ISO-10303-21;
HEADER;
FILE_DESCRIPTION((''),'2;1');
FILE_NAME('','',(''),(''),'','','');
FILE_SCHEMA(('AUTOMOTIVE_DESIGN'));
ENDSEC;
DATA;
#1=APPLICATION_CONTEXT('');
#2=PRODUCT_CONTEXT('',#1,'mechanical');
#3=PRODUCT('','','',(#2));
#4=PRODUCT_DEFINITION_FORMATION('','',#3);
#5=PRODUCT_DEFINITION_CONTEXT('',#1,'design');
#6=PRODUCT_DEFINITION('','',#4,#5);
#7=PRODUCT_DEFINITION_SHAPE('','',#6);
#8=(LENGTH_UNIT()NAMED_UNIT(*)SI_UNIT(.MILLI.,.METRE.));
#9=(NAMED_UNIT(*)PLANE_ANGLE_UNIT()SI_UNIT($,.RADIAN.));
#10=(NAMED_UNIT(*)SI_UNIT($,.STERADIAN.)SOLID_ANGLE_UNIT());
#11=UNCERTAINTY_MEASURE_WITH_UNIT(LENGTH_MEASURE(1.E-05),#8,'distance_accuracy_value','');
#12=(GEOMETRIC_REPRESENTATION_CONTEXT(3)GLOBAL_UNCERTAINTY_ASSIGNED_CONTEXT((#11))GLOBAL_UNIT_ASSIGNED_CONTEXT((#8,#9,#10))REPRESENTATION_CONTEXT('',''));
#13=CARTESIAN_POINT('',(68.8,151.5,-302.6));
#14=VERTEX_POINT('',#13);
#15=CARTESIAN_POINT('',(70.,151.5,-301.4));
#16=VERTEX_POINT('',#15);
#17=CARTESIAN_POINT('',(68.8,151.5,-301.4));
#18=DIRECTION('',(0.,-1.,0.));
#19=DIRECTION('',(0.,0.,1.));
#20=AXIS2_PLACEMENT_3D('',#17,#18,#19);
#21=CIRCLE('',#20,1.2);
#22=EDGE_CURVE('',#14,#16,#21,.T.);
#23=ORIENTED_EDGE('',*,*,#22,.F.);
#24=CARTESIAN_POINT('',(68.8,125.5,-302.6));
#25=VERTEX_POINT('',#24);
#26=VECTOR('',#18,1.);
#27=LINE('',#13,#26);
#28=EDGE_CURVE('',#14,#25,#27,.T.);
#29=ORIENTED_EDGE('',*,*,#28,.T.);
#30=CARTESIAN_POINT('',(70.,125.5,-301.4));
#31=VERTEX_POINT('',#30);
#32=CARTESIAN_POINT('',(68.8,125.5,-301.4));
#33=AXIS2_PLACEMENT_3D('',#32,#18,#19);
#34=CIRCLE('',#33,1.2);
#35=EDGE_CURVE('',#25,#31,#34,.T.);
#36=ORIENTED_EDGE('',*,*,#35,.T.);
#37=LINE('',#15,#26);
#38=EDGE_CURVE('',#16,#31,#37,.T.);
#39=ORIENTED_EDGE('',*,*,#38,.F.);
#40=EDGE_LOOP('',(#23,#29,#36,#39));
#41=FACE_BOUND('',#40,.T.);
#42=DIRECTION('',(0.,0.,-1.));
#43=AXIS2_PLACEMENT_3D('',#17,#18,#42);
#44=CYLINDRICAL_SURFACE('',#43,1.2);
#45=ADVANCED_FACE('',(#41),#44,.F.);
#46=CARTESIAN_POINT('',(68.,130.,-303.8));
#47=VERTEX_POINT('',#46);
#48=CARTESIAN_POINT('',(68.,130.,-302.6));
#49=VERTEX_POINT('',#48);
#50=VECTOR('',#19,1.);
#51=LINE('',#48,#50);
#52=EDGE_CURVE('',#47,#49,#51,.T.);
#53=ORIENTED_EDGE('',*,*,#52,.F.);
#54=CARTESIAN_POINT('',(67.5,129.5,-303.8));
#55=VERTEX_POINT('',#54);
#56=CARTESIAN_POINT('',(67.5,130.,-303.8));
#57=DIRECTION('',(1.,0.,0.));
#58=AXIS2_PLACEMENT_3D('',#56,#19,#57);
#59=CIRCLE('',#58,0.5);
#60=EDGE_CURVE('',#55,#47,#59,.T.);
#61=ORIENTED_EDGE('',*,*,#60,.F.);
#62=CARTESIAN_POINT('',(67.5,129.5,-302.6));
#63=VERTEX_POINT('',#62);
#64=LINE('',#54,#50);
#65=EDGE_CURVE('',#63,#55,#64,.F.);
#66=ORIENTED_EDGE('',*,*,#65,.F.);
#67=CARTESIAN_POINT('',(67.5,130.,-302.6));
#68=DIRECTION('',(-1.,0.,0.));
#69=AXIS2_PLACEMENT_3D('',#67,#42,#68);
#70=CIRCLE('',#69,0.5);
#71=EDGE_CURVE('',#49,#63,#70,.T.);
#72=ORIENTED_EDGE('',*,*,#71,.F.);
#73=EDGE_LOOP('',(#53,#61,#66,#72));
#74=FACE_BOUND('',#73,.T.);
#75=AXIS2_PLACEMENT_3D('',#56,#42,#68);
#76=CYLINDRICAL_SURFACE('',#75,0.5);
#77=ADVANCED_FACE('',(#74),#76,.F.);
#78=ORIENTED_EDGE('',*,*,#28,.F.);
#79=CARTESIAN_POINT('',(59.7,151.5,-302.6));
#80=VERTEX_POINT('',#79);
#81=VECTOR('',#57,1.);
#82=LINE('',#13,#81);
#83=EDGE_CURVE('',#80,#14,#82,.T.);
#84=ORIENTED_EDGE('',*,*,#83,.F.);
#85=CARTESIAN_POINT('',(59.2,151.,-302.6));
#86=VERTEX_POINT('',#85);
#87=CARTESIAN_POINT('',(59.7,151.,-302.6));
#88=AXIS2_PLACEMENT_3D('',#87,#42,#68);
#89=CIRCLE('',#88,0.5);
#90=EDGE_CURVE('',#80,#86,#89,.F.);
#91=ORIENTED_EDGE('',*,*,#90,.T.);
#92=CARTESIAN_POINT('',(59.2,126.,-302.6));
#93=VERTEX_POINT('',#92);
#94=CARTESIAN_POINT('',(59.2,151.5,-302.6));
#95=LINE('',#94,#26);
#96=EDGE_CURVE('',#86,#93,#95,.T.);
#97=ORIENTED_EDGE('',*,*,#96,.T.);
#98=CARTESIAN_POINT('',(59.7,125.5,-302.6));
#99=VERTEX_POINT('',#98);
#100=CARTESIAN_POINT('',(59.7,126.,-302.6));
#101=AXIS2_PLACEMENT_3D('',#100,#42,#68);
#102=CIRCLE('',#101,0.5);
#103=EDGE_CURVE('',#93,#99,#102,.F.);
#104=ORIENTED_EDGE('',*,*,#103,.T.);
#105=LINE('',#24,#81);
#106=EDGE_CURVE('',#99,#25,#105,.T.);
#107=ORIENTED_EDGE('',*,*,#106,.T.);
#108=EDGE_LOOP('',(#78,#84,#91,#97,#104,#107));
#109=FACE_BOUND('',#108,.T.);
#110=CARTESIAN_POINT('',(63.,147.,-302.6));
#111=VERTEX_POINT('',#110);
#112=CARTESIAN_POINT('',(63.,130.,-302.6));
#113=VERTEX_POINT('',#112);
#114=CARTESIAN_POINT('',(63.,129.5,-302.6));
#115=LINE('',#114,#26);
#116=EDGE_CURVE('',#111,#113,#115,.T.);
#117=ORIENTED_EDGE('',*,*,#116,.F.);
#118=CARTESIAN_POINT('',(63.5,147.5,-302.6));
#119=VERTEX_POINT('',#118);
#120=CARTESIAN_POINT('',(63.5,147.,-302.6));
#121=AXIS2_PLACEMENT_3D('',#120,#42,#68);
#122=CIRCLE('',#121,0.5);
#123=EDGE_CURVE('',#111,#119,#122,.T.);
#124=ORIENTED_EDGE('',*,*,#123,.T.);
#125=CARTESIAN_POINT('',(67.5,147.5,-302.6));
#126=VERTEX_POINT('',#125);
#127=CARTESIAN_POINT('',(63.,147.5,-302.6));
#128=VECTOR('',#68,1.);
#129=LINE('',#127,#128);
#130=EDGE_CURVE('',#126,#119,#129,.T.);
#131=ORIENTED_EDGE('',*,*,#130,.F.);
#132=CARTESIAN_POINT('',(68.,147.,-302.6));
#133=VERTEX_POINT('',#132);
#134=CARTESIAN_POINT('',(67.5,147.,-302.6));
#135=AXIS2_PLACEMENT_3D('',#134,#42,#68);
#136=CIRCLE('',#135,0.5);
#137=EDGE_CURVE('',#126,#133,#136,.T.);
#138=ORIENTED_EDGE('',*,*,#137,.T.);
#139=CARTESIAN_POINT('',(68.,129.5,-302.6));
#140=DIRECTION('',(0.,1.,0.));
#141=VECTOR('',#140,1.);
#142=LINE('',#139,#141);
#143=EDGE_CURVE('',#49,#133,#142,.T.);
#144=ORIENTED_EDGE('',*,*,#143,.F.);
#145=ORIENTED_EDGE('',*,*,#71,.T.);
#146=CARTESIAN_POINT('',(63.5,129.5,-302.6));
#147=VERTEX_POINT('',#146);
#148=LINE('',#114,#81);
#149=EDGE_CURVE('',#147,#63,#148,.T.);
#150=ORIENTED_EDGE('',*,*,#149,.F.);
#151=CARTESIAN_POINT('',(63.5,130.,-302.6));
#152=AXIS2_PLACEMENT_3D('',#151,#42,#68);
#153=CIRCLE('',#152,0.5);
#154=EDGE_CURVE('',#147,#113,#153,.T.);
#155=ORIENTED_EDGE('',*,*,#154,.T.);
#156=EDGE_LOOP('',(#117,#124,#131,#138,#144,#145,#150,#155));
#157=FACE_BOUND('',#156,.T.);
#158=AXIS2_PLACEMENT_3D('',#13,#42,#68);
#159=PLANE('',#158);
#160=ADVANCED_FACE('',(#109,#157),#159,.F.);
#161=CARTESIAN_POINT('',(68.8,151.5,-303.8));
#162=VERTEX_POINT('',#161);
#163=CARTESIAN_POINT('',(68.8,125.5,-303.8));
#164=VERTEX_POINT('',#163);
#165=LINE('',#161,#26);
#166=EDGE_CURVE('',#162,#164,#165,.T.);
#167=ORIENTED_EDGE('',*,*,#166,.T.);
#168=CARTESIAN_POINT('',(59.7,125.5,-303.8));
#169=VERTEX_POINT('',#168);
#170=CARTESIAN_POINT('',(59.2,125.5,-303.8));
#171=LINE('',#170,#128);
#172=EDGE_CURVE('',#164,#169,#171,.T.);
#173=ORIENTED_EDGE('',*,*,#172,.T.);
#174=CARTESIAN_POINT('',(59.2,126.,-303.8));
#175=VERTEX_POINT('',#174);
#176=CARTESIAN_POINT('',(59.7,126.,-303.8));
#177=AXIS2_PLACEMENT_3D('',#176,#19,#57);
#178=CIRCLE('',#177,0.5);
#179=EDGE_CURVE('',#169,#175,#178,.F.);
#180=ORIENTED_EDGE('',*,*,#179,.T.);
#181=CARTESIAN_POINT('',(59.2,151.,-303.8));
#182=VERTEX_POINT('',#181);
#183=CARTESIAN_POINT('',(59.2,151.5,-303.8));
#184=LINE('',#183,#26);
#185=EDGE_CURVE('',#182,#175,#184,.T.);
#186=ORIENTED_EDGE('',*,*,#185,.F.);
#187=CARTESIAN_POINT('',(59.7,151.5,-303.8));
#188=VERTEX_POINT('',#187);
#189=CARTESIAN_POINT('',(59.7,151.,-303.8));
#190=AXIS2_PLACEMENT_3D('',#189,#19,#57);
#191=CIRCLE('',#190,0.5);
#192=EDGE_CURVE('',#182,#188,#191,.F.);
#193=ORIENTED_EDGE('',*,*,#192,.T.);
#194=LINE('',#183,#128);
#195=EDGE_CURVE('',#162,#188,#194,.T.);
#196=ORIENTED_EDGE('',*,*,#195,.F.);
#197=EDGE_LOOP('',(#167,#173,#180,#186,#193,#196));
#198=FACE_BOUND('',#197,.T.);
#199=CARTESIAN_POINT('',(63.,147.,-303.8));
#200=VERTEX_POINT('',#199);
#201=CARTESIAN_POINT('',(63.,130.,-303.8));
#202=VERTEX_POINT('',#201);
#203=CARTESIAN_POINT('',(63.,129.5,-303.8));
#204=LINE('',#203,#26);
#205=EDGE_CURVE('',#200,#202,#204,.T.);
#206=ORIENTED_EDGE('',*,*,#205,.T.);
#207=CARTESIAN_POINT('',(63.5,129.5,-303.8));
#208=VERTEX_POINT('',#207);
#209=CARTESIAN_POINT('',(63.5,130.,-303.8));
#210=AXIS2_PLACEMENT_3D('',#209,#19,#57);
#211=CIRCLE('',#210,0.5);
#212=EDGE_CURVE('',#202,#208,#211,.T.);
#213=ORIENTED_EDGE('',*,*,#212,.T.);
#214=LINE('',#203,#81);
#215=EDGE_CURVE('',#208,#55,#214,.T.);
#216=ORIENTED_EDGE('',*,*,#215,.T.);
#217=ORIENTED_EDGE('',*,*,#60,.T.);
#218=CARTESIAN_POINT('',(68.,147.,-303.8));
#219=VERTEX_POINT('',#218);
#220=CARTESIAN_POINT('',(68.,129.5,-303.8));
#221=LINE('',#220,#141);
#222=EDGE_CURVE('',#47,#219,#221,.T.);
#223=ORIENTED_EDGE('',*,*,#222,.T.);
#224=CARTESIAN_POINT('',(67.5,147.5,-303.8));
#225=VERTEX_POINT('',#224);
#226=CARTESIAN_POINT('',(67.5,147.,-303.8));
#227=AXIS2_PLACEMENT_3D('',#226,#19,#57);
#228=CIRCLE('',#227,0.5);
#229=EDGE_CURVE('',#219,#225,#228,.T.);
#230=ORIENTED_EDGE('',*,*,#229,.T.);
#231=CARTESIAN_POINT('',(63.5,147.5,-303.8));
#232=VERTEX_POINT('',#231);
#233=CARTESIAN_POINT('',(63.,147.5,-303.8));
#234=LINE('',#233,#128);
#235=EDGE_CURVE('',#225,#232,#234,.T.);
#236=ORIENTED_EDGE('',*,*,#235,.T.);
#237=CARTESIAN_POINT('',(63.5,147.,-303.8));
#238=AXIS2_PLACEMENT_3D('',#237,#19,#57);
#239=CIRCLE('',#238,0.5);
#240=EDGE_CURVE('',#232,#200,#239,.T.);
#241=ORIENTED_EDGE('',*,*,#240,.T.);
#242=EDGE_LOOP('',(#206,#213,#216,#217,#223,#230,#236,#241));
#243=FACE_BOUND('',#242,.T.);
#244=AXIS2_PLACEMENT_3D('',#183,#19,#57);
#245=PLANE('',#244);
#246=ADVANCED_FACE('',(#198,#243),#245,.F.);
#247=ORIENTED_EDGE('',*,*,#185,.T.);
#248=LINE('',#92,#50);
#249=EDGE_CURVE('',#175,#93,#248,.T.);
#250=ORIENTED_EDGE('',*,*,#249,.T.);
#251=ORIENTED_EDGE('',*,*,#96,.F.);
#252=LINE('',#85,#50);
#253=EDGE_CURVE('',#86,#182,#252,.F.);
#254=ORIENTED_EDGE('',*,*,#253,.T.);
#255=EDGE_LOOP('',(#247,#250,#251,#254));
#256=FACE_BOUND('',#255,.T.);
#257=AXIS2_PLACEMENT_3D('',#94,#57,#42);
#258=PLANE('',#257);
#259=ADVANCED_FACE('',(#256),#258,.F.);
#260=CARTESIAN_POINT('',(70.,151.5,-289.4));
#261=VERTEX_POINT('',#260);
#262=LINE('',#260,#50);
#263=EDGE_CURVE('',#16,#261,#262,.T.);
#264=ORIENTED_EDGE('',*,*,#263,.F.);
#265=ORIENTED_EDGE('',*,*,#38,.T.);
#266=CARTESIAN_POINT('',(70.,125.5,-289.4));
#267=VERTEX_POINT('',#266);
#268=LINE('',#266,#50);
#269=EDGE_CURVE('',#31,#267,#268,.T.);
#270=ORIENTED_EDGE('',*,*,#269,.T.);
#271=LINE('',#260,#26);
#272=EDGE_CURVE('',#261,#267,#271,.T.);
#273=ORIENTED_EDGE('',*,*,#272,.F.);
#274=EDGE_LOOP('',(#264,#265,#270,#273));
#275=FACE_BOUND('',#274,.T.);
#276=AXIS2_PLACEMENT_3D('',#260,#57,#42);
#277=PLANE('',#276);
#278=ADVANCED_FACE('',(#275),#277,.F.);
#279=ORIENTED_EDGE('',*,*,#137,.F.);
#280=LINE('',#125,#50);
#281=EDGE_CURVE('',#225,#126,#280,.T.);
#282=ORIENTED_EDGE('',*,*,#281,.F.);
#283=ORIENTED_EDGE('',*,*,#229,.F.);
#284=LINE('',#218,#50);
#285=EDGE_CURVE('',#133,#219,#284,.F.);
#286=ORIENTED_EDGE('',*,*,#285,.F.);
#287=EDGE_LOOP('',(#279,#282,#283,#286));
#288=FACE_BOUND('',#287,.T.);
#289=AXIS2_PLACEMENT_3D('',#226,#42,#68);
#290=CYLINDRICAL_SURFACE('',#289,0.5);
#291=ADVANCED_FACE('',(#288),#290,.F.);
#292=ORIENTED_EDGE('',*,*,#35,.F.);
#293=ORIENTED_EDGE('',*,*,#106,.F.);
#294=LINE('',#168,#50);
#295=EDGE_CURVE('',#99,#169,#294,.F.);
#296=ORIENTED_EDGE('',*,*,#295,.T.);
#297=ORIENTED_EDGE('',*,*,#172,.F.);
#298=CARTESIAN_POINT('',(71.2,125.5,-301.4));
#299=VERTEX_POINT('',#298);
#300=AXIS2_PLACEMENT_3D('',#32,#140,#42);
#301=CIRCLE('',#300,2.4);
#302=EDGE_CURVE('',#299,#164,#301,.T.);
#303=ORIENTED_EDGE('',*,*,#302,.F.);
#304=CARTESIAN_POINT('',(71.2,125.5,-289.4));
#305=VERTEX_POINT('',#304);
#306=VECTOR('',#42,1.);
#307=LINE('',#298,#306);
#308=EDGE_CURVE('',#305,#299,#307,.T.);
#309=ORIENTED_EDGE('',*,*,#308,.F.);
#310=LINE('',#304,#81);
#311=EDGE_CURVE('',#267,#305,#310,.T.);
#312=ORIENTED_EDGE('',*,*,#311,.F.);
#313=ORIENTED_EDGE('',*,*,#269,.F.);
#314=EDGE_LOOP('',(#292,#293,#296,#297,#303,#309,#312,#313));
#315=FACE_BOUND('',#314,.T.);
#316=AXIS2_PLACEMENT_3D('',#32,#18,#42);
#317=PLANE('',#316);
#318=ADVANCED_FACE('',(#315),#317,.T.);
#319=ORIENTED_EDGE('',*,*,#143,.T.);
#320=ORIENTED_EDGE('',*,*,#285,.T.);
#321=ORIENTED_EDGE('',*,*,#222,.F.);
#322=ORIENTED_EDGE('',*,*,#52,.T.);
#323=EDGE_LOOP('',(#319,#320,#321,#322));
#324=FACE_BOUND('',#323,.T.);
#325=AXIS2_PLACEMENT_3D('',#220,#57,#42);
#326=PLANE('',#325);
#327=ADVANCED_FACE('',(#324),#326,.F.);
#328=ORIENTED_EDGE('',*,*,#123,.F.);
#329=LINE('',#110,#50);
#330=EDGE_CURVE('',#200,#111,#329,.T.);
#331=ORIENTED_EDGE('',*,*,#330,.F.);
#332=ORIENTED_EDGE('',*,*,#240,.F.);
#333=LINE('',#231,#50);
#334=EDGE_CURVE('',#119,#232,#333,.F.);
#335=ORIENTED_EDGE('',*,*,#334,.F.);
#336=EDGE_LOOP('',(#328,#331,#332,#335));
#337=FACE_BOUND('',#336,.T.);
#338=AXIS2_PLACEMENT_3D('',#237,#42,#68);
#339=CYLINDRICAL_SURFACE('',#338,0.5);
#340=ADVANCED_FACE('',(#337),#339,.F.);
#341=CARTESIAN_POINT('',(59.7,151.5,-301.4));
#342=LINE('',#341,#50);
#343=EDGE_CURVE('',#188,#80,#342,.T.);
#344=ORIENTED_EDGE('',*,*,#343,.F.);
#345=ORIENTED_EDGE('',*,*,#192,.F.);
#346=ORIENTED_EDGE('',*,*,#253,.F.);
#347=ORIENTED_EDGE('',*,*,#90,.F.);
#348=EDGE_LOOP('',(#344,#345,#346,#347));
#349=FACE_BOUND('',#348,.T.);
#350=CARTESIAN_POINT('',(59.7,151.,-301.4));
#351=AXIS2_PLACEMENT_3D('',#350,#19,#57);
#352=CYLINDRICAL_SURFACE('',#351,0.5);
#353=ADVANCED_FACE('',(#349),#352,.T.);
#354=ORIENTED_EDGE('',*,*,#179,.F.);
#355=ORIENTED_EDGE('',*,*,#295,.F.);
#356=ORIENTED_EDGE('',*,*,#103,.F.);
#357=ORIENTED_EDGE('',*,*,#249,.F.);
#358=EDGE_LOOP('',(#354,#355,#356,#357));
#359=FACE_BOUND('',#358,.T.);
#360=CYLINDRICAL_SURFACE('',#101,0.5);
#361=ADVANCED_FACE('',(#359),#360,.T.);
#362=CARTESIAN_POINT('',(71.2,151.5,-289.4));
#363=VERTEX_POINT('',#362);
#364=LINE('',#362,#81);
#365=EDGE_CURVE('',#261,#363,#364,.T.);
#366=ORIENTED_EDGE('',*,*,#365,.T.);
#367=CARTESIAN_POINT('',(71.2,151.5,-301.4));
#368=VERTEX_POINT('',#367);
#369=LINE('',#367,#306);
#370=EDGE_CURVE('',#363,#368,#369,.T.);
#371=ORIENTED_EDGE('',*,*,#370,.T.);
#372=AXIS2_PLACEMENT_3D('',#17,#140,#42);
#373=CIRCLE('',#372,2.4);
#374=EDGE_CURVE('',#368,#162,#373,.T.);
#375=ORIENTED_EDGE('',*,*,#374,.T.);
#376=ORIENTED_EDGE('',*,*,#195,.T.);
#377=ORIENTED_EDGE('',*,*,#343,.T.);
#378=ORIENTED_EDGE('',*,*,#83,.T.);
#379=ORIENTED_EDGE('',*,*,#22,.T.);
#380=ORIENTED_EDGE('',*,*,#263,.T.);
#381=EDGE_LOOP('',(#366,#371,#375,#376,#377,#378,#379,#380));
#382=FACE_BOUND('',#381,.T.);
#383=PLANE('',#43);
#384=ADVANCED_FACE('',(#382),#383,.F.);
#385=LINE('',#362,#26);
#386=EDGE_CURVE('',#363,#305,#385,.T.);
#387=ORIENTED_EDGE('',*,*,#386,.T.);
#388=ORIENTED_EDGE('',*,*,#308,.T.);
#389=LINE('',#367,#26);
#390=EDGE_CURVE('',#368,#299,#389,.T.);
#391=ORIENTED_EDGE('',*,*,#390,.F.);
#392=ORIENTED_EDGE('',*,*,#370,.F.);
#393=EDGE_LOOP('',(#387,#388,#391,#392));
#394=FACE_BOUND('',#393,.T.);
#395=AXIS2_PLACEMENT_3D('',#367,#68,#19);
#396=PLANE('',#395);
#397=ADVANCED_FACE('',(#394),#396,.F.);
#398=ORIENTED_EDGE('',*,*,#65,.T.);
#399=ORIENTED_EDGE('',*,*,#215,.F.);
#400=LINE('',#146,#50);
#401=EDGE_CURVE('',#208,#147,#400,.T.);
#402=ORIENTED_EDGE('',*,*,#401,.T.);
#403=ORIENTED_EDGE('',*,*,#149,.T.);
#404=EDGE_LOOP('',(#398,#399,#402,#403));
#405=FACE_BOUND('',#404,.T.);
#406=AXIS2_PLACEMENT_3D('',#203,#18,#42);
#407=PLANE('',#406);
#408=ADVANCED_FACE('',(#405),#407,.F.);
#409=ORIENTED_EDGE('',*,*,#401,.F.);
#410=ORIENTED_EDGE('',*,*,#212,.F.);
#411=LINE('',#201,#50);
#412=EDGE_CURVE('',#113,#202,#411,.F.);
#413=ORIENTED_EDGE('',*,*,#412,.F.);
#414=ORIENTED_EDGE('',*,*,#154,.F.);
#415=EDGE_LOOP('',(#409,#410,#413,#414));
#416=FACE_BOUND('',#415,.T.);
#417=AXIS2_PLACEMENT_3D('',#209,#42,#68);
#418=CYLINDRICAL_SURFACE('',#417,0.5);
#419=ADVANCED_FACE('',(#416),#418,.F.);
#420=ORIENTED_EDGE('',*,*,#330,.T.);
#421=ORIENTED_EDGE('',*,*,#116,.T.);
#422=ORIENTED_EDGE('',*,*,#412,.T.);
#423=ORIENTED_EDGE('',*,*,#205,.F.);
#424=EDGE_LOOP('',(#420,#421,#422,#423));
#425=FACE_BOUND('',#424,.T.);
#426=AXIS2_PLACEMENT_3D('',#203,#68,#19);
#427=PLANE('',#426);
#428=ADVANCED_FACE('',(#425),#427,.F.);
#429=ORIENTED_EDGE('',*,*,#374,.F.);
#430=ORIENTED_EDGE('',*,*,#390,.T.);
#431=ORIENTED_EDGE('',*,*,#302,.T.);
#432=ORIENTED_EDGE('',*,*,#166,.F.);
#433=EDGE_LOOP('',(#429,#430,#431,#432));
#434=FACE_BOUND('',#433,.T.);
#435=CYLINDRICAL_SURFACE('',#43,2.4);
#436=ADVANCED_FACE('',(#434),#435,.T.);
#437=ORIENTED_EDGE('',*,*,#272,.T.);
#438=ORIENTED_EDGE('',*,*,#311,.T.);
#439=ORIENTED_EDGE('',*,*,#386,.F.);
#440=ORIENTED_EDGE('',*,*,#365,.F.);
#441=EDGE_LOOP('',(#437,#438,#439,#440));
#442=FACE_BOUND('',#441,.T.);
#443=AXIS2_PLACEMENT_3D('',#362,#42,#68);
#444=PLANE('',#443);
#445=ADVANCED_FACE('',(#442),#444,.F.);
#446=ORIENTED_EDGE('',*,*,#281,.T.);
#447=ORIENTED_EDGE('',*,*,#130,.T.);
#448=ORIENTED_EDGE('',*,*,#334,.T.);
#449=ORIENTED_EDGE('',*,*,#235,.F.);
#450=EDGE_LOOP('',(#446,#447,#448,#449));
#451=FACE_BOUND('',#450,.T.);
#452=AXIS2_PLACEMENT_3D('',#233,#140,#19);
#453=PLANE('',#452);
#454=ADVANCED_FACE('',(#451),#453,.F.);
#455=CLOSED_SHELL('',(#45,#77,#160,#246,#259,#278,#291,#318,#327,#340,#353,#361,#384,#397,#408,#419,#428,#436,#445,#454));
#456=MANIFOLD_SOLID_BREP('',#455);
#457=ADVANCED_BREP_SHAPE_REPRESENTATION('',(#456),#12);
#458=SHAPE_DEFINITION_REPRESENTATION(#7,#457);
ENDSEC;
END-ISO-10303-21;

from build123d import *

# Parameters (mm, degrees)
EXTRUDE_26_DEPTH       = 26
SKETCH_18_5_Y138_5_W   = 5
SKETCH_18_5_Y138_5_H   = 18
CUT_EXTRUDE_18_5_DEPTH = 1.2
FILLET_R0_5_R          = 0.5
FILLET_R0_5_2_R        = 0.5


with BuildPart() as part:
    # 草图_L形卡耳_内伸12_厚1点2_内R1点2_焊脚12 → 拉伸_卡耳外高26 (new body)
    with BuildSketch(Plane(origin=(0, 125.5, 0), x_dir=(1, 0, 0), z_dir=(0, 1, 0))):
        with BuildLine():
            Line((59.2, 303.8), (68.8, 303.8))
            ThreePointArc((68.8, 303.8), (70.497056275, 303.097056275), (71.2, 301.4))
            Line((71.2, 301.4), (71.2, 289.4))
            Line((71.2, 289.4), (70, 289.4))
            Line((70, 289.4), (70, 301.4))
            ThreePointArc((70, 301.4), (69.648528137, 302.248528137), (68.8, 302.6))
            Line((68.8, 302.6), (59.2, 302.6))
            Line((59.2, 302.6), (59.2, 303.8))
        make_face()
    extrude(amount=EXTRUDE_26_DEPTH)

    # 草图_卡槽矩形_净高18_净宽5_中心Y138点5 → 切除_卡槽18乘5 (cut)
    with BuildSketch(Plane.XY.offset(-302.6)):
        with Locations((65.5, 138.5)):
            Rectangle(SKETCH_18_5_Y138_5_W, SKETCH_18_5_Y138_5_H)
    extrude(amount=-CUT_EXTRUDE_18_5_DEPTH, mode=Mode.SUBTRACT)

    # Fillet R0_5
    fillet_r0_5_edges = [part.edges().sort_by_distance(p)[0] for p in [
        (68, 147.5, -303.2),
        (68, 129.5, -303.2),
        (63, 129.5, -303.2),
        (63, 147.5, -303.2),
    ]]
    fillet(fillet_r0_5_edges, radius=FILLET_R0_5_R)

    # Fillet R0_5 2
    fillet_r0_5_2_edges = [part.edges().sort_by_distance(p)[0] for p in [
        (59.2, 125.5, -303.2),
        (59.2, 151.5, -303.2),
    ]]
    fillet(fillet_r0_5_2_edges, radius=FILLET_R0_5_2_R)


solid = part.part
